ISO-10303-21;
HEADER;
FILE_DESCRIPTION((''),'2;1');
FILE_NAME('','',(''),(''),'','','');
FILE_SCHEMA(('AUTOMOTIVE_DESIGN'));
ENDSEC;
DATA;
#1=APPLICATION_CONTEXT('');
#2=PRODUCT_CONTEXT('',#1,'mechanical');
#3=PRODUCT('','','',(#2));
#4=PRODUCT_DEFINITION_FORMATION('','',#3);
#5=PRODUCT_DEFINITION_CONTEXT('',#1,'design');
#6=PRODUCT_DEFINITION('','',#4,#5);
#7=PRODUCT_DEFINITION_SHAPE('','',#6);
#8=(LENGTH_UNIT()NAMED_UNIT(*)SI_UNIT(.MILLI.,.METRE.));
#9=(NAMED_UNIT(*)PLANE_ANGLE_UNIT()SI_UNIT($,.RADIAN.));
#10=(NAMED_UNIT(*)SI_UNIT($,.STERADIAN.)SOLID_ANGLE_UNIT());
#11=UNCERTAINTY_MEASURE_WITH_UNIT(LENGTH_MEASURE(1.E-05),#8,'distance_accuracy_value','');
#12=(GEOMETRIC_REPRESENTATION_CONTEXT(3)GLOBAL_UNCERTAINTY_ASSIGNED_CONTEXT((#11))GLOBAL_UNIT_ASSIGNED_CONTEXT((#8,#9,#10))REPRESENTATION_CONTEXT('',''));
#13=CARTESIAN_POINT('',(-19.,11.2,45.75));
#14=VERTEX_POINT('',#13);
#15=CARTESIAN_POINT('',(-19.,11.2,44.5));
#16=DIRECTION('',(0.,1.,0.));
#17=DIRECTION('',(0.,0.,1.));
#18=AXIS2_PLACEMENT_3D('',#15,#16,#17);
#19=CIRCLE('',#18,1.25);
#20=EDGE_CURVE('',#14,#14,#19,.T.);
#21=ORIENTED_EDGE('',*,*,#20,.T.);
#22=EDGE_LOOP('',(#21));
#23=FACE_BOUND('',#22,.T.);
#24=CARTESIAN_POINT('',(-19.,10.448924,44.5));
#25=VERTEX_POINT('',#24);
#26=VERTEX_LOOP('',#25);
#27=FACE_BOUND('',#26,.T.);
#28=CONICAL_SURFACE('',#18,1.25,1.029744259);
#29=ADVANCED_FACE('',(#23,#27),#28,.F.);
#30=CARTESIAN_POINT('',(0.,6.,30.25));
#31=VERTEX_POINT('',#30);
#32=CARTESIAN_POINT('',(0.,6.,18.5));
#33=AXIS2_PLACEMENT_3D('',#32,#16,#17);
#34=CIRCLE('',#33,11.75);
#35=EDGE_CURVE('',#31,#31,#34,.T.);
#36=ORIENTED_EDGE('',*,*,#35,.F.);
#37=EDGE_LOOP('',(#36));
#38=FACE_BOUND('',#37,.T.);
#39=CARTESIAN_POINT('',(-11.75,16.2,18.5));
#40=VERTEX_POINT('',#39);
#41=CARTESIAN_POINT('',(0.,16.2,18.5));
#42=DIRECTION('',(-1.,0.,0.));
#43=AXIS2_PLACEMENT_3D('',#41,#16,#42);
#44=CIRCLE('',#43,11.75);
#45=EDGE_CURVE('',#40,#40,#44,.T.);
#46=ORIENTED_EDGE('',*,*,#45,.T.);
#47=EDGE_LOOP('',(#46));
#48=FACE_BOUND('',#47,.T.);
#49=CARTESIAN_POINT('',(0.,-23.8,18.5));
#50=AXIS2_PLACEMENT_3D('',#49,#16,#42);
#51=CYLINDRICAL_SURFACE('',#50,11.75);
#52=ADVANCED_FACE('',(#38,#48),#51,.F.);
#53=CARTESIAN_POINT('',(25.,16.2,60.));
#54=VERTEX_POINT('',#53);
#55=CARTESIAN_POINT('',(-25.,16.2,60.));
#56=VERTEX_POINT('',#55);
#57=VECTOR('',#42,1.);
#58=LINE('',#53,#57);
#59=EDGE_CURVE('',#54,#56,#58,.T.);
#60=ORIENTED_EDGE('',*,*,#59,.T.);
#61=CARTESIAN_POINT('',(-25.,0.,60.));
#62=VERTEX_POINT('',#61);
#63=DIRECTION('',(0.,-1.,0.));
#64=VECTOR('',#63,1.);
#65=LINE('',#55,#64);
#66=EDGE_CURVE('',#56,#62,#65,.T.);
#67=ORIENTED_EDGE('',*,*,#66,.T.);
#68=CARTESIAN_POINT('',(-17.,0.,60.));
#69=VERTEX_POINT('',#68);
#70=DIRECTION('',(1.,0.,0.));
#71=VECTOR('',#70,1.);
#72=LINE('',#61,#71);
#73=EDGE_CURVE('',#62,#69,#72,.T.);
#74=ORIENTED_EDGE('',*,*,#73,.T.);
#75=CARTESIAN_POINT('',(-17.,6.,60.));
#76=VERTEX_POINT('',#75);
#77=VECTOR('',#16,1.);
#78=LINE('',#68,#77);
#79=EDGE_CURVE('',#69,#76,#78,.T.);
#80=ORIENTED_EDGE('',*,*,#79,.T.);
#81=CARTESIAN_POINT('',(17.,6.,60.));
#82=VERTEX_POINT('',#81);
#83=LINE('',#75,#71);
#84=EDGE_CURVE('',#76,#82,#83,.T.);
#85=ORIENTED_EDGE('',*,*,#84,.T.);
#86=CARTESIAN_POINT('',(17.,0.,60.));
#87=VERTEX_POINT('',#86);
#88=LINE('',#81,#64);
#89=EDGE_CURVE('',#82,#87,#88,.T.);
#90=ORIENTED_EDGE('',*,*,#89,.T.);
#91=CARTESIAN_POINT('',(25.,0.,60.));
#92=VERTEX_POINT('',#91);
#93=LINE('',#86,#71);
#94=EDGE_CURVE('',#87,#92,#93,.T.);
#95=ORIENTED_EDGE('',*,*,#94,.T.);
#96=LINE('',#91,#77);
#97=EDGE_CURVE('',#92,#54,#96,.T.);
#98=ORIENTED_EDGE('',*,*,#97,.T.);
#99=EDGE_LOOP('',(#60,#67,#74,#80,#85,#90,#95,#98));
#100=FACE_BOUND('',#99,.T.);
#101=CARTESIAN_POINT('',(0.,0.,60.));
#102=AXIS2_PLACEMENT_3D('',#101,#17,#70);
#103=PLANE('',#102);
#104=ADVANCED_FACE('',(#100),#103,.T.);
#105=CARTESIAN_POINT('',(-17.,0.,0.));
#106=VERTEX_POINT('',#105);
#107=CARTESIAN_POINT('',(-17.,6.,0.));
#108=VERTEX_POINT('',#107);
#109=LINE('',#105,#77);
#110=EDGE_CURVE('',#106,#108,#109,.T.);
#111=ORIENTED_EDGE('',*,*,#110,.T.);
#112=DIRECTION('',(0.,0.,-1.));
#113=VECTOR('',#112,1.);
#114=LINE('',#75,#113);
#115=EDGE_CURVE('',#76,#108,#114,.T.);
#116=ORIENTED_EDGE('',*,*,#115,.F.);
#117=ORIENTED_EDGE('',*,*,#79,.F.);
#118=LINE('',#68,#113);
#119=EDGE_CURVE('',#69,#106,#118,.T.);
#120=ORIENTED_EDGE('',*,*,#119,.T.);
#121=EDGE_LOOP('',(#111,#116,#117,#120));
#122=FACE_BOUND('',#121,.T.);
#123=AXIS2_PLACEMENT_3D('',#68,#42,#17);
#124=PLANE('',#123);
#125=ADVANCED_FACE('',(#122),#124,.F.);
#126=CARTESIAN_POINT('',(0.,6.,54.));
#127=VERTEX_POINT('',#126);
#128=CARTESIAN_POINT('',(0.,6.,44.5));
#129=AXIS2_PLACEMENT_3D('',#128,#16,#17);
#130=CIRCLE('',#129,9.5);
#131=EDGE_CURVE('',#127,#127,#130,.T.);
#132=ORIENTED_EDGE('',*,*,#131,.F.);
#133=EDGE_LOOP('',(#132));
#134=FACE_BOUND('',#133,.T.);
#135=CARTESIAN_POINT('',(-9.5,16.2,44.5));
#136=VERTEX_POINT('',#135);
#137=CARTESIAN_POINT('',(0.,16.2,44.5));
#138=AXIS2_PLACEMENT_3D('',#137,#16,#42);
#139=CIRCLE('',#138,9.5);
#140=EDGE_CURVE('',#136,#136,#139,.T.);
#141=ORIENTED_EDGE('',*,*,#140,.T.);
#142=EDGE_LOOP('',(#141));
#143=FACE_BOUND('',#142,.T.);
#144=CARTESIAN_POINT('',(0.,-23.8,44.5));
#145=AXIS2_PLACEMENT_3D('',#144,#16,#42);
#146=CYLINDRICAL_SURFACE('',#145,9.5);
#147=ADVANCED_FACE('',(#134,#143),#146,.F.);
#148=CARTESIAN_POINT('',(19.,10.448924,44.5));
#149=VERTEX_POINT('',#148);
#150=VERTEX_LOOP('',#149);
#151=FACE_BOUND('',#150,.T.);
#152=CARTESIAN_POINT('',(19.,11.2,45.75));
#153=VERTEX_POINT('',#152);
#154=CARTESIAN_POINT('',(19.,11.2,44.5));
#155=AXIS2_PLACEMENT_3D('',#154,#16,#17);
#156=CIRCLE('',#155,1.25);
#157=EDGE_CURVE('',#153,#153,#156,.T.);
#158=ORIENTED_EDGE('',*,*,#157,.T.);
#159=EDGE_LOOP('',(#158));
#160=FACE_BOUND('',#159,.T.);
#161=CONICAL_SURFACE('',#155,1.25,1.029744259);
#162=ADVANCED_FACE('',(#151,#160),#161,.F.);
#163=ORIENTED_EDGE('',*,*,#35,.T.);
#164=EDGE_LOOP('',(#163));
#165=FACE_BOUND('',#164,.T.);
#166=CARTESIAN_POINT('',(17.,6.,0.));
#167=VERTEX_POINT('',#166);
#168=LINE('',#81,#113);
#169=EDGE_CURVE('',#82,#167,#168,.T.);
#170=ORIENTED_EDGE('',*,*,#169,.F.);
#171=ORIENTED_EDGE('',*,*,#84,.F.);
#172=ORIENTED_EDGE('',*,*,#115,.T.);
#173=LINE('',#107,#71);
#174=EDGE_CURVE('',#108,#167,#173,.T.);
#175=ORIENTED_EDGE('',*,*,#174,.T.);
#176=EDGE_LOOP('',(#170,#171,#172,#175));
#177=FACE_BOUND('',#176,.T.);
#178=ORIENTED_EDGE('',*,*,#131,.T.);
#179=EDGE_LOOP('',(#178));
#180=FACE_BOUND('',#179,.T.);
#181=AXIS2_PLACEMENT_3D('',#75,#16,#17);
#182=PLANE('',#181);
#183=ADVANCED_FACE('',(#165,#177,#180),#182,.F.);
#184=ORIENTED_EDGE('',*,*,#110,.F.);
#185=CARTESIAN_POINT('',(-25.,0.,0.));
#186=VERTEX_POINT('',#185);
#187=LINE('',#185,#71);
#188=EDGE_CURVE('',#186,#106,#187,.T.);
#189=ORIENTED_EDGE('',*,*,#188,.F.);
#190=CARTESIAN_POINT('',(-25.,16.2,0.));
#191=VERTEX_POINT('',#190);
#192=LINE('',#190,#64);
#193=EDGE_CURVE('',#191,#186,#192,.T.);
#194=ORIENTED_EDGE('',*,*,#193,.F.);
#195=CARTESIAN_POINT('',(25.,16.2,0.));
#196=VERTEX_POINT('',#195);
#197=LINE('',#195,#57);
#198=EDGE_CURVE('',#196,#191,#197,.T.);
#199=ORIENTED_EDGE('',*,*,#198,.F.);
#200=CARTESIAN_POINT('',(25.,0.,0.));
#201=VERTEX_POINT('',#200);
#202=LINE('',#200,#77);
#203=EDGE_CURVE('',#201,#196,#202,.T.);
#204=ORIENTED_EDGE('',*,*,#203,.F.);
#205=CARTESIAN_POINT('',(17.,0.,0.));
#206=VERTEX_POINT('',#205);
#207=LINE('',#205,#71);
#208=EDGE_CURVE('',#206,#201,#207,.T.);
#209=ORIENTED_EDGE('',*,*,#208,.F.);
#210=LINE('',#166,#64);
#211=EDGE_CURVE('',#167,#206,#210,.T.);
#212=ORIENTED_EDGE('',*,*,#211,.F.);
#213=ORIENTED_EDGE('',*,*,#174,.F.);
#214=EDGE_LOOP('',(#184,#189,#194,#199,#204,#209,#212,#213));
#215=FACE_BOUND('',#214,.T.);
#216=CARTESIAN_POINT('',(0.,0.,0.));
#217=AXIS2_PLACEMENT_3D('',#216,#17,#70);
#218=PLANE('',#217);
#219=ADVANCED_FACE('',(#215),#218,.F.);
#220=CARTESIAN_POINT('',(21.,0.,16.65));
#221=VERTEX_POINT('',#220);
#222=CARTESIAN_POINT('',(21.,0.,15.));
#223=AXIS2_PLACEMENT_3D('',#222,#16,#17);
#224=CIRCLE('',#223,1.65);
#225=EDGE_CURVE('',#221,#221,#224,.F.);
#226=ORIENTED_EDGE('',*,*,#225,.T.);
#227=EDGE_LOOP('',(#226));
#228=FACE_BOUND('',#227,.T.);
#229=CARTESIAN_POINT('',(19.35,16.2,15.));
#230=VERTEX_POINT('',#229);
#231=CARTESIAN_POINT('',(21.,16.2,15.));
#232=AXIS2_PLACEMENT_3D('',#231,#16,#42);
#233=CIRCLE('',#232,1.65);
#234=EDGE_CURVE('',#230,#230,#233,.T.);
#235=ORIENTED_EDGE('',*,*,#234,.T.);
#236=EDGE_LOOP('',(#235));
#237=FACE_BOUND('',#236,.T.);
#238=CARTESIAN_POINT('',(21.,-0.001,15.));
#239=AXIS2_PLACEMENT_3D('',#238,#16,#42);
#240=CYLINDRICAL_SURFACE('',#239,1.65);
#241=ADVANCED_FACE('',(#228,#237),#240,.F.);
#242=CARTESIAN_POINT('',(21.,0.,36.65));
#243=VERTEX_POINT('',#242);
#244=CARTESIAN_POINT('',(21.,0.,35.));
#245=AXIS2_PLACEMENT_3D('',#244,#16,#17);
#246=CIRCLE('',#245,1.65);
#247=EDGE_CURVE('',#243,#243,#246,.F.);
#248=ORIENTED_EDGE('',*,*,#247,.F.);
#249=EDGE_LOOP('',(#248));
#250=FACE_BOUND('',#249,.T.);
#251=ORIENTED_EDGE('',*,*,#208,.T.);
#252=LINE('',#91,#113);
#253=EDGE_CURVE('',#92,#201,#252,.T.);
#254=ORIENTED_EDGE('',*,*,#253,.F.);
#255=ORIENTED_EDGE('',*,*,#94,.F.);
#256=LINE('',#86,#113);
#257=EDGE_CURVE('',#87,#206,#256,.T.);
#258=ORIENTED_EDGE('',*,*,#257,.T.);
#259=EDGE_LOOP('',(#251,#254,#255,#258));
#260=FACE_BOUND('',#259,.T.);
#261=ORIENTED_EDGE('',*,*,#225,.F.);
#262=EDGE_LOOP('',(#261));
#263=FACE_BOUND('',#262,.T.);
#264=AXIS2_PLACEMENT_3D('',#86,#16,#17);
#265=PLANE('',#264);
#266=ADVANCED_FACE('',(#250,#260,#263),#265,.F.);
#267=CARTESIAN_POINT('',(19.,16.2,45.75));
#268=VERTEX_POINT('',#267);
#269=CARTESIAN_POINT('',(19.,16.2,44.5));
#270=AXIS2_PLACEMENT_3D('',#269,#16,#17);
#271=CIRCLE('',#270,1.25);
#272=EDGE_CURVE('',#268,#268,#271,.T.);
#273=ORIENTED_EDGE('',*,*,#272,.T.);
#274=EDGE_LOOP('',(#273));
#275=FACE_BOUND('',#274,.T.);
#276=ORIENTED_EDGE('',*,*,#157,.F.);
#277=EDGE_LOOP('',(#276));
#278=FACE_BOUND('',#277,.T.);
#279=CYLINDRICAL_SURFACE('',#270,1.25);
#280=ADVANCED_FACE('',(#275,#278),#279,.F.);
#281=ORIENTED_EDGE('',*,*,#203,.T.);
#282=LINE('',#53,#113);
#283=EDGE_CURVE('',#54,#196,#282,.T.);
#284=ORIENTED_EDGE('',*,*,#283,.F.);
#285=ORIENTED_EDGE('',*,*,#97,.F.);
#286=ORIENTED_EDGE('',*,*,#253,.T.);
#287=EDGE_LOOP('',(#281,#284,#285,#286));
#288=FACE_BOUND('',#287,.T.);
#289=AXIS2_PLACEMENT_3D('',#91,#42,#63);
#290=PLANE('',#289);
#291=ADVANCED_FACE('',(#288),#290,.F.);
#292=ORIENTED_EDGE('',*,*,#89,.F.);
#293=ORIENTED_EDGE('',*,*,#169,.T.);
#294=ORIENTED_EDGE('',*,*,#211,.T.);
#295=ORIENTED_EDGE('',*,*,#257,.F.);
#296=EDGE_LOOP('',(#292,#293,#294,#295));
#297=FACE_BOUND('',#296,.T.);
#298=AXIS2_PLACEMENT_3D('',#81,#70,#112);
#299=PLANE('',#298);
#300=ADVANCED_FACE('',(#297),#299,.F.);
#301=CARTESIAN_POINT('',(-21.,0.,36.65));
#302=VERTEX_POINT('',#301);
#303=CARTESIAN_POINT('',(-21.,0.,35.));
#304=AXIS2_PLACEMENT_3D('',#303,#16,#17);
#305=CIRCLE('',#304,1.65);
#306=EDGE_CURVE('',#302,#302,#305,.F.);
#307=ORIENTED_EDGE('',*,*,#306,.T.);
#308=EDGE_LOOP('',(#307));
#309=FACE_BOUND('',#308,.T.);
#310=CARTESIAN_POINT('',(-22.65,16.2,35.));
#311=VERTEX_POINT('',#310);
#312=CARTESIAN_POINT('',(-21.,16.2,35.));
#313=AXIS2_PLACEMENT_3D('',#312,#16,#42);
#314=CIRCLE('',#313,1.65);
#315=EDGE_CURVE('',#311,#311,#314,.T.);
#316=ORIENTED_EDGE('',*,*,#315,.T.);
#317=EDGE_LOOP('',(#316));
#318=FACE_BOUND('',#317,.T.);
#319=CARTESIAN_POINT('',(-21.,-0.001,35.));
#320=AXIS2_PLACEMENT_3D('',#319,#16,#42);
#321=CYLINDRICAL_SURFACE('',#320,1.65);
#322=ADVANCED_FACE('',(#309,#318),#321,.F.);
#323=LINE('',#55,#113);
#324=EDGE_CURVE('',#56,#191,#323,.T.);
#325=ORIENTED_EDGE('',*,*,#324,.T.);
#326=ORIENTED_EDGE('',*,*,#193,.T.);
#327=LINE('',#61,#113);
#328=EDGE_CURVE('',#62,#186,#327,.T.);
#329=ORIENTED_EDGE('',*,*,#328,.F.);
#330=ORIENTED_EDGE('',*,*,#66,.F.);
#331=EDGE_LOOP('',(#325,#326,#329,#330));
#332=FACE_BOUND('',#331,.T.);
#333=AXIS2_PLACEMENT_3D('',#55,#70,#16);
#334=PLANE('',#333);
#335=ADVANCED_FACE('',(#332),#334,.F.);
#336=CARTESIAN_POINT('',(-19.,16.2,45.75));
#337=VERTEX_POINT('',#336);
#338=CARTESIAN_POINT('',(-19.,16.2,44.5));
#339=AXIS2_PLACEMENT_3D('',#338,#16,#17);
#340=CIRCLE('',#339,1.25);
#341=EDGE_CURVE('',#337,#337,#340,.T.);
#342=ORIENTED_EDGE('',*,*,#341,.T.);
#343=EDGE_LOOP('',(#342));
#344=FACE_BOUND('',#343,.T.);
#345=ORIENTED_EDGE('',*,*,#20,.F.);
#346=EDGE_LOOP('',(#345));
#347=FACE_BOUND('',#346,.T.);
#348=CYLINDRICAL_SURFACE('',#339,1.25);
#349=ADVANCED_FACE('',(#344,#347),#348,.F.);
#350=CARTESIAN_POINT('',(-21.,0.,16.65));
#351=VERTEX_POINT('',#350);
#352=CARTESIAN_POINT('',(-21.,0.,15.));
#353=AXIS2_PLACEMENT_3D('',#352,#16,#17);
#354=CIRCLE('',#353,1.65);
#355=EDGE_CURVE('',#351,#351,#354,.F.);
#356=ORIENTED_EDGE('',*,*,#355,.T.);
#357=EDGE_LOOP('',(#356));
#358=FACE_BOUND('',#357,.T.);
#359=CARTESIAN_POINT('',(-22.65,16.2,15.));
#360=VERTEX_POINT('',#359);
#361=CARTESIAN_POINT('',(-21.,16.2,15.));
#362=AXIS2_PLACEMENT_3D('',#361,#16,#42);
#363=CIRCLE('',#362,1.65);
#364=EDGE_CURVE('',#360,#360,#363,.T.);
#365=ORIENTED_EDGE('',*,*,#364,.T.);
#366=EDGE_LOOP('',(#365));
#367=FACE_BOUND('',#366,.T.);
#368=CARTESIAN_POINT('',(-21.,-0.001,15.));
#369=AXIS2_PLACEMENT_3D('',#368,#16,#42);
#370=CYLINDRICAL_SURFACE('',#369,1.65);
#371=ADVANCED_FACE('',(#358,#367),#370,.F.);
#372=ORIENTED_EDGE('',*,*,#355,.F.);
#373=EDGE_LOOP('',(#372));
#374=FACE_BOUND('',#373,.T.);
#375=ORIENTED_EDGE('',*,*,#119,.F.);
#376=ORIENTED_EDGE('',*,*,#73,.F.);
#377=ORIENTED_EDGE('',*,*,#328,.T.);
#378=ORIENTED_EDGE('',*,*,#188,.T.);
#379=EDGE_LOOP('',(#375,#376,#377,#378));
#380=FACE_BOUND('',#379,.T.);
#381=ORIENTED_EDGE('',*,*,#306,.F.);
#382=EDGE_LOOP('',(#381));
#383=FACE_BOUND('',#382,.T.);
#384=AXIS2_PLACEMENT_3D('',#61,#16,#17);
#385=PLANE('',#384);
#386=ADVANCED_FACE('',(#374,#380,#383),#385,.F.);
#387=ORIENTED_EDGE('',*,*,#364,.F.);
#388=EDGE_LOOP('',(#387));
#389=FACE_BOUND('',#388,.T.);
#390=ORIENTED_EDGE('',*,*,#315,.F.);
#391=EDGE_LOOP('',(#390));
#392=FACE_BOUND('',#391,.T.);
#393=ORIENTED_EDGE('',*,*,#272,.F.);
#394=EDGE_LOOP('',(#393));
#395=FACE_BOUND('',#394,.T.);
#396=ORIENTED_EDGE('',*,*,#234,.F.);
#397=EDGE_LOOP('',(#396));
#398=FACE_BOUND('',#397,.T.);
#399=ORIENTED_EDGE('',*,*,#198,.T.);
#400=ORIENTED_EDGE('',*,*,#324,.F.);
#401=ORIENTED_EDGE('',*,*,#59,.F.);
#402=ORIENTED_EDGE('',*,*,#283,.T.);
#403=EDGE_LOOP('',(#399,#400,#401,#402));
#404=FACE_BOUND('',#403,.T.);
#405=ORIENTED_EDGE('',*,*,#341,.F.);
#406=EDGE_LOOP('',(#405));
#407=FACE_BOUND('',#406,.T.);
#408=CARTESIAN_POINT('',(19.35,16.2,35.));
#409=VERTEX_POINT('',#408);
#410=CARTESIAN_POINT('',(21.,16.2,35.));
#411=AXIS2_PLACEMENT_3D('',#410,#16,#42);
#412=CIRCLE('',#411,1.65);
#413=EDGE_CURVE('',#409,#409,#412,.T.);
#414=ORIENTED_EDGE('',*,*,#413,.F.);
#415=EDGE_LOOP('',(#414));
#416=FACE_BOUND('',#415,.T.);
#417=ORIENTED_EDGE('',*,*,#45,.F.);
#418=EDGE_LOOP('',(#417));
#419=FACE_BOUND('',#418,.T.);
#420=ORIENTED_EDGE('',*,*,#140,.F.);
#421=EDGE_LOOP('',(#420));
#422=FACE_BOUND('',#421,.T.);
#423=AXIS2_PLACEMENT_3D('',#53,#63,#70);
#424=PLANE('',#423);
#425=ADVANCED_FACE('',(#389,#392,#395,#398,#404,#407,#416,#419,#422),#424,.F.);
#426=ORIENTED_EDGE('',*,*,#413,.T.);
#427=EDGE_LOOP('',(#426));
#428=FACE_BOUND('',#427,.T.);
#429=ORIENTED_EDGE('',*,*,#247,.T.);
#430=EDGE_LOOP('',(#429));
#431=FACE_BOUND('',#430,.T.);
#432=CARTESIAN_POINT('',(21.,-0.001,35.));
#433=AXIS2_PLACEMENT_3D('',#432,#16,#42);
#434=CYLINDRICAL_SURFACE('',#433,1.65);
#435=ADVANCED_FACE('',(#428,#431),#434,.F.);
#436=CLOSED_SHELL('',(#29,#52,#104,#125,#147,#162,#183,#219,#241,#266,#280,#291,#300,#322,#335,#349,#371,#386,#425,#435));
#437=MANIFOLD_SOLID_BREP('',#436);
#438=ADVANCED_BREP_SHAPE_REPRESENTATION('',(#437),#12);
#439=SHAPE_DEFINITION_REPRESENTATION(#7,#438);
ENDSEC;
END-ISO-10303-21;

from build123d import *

# Parameters (mm, degrees)
EXTRUDE_1_DEPTH     = 60
SKETCH_2_R          = 11.75
CUT_EXTRUDE_1_DEPTH = 40
SKETCH_3_R          = 9.5
CUT_EXTRUDE_2_DEPTH = 40
M3X0_5_1_D          = 2.5
M3X0_5_1_DEPTH      = 5
M3X0_5_1_TIP        = 0.751075774
CUT_EXTRUDE_3_REACH = 18.2
SKETCH_7_R          = 1.65


with BuildPart() as part:
    # 草圖1 → 填料-伸長1 (new body)
    with BuildSketch(Plane.XY):
        Polygon((-25, 0), (-17, 0), (-17, 6), (17, 6), (17, 0), (25, 0), (25, 16.2), (-25, 16.2), align=None)
    extrude(amount=EXTRUDE_1_DEPTH)

    # 草圖2 → 除料-伸長1 (cut)
    with BuildSketch(Plane(origin=(0, 16.2, 0), x_dir=(1, 0, 0), z_dir=(0, 1, 0))):
        with Locations((0, -18.5)):
            Circle(SKETCH_2_R)
    extrude(amount=-CUT_EXTRUDE_1_DEPTH, mode=Mode.SUBTRACT)

    # 草圖3 → 除料-伸長2 (cut)
    with BuildSketch(Plane(origin=(0, 16.2, 0), x_dir=(1, 0, 0), z_dir=(0, 1, 0))):
        with Locations((0, -44.5)):
            Circle(SKETCH_3_R)
    extrude(amount=-CUT_EXTRUDE_2_DEPTH, mode=Mode.SUBTRACT)

    # M3x0.5 螺紋孔1
    with Locations(Plane(origin=(0, 16.2, 0), x_dir=(1, 0, 0), z_dir=(0, 1, 0))):
        with Locations((19, -44.5), (-19, -44.5)):
            Hole(M3X0_5_1_D / 2, depth=M3X0_5_1_DEPTH)
            with Locations((0, 0, -(M3X0_5_1_DEPTH + M3X0_5_1_TIP / 2))):  # 118° drill point
                Cone(0, M3X0_5_1_D / 2, M3X0_5_1_TIP, mode=Mode.SUBTRACT)

    # 草圖7 → 除料-伸長3 (cut, up to next)
    with BuildSketch(Plane(origin=(0, 16.2, 0), x_dir=(1, 0, 0), z_dir=(0, 1, 0)), mode=Mode.PRIVATE) as cut_extrude_3_sk1:
        with Locations((-21, -35)):
            Circle(SKETCH_7_R)
    cut_extrude_3_tool1 = extrude(cut_extrude_3_sk1.sketch, amount=-CUT_EXTRUDE_3_REACH, mode=Mode.PRIVATE) & part.part
    add(cut_extrude_3_tool1.solids().sort_by_distance((-21, 16.2, 35))[0], mode=Mode.SUBTRACT)
    # 草圖7 → 除料-伸長3 (cut, up to next)
    with BuildSketch(Plane(origin=(0, 16.2, 0), x_dir=(1, 0, 0), z_dir=(0, 1, 0)), mode=Mode.PRIVATE) as cut_extrude_3_sk2:
        with Locations((-21, -15)):
            Circle(SKETCH_7_R)
    cut_extrude_3_tool2 = extrude(cut_extrude_3_sk2.sketch, amount=-CUT_EXTRUDE_3_REACH, mode=Mode.PRIVATE) & part.part
    add(cut_extrude_3_tool2.solids().sort_by_distance((-21, 16.2, 15))[0], mode=Mode.SUBTRACT)
    # 草圖7 → 除料-伸長3 (cut, up to next)
    with BuildSketch(Plane(origin=(0, 16.2, 0), x_dir=(1, 0, 0), z_dir=(0, 1, 0)), mode=Mode.PRIVATE) as cut_extrude_3_sk3:
        with Locations((21, -35)):
            Circle(SKETCH_7_R)
    cut_extrude_3_tool3 = extrude(cut_extrude_3_sk3.sketch, amount=-CUT_EXTRUDE_3_REACH, mode=Mode.PRIVATE) & part.part
    add(cut_extrude_3_tool3.solids().sort_by_distance((21, 16.2, 35))[0], mode=Mode.SUBTRACT)
    # 草圖7 → 除料-伸長3 (cut, up to next)
    with BuildSketch(Plane(origin=(0, 16.2, 0), x_dir=(1, 0, 0), z_dir=(0, 1, 0)), mode=Mode.PRIVATE) as cut_extrude_3_sk4:
        with Locations((21, -15)):
            Circle(SKETCH_7_R)
    cut_extrude_3_tool4 = extrude(cut_extrude_3_sk4.sketch, amount=-CUT_EXTRUDE_3_REACH, mode=Mode.PRIVATE) & part.part
    add(cut_extrude_3_tool4.solids().sort_by_distance((21, 16.2, 15))[0], mode=Mode.SUBTRACT)


solid = part.part
